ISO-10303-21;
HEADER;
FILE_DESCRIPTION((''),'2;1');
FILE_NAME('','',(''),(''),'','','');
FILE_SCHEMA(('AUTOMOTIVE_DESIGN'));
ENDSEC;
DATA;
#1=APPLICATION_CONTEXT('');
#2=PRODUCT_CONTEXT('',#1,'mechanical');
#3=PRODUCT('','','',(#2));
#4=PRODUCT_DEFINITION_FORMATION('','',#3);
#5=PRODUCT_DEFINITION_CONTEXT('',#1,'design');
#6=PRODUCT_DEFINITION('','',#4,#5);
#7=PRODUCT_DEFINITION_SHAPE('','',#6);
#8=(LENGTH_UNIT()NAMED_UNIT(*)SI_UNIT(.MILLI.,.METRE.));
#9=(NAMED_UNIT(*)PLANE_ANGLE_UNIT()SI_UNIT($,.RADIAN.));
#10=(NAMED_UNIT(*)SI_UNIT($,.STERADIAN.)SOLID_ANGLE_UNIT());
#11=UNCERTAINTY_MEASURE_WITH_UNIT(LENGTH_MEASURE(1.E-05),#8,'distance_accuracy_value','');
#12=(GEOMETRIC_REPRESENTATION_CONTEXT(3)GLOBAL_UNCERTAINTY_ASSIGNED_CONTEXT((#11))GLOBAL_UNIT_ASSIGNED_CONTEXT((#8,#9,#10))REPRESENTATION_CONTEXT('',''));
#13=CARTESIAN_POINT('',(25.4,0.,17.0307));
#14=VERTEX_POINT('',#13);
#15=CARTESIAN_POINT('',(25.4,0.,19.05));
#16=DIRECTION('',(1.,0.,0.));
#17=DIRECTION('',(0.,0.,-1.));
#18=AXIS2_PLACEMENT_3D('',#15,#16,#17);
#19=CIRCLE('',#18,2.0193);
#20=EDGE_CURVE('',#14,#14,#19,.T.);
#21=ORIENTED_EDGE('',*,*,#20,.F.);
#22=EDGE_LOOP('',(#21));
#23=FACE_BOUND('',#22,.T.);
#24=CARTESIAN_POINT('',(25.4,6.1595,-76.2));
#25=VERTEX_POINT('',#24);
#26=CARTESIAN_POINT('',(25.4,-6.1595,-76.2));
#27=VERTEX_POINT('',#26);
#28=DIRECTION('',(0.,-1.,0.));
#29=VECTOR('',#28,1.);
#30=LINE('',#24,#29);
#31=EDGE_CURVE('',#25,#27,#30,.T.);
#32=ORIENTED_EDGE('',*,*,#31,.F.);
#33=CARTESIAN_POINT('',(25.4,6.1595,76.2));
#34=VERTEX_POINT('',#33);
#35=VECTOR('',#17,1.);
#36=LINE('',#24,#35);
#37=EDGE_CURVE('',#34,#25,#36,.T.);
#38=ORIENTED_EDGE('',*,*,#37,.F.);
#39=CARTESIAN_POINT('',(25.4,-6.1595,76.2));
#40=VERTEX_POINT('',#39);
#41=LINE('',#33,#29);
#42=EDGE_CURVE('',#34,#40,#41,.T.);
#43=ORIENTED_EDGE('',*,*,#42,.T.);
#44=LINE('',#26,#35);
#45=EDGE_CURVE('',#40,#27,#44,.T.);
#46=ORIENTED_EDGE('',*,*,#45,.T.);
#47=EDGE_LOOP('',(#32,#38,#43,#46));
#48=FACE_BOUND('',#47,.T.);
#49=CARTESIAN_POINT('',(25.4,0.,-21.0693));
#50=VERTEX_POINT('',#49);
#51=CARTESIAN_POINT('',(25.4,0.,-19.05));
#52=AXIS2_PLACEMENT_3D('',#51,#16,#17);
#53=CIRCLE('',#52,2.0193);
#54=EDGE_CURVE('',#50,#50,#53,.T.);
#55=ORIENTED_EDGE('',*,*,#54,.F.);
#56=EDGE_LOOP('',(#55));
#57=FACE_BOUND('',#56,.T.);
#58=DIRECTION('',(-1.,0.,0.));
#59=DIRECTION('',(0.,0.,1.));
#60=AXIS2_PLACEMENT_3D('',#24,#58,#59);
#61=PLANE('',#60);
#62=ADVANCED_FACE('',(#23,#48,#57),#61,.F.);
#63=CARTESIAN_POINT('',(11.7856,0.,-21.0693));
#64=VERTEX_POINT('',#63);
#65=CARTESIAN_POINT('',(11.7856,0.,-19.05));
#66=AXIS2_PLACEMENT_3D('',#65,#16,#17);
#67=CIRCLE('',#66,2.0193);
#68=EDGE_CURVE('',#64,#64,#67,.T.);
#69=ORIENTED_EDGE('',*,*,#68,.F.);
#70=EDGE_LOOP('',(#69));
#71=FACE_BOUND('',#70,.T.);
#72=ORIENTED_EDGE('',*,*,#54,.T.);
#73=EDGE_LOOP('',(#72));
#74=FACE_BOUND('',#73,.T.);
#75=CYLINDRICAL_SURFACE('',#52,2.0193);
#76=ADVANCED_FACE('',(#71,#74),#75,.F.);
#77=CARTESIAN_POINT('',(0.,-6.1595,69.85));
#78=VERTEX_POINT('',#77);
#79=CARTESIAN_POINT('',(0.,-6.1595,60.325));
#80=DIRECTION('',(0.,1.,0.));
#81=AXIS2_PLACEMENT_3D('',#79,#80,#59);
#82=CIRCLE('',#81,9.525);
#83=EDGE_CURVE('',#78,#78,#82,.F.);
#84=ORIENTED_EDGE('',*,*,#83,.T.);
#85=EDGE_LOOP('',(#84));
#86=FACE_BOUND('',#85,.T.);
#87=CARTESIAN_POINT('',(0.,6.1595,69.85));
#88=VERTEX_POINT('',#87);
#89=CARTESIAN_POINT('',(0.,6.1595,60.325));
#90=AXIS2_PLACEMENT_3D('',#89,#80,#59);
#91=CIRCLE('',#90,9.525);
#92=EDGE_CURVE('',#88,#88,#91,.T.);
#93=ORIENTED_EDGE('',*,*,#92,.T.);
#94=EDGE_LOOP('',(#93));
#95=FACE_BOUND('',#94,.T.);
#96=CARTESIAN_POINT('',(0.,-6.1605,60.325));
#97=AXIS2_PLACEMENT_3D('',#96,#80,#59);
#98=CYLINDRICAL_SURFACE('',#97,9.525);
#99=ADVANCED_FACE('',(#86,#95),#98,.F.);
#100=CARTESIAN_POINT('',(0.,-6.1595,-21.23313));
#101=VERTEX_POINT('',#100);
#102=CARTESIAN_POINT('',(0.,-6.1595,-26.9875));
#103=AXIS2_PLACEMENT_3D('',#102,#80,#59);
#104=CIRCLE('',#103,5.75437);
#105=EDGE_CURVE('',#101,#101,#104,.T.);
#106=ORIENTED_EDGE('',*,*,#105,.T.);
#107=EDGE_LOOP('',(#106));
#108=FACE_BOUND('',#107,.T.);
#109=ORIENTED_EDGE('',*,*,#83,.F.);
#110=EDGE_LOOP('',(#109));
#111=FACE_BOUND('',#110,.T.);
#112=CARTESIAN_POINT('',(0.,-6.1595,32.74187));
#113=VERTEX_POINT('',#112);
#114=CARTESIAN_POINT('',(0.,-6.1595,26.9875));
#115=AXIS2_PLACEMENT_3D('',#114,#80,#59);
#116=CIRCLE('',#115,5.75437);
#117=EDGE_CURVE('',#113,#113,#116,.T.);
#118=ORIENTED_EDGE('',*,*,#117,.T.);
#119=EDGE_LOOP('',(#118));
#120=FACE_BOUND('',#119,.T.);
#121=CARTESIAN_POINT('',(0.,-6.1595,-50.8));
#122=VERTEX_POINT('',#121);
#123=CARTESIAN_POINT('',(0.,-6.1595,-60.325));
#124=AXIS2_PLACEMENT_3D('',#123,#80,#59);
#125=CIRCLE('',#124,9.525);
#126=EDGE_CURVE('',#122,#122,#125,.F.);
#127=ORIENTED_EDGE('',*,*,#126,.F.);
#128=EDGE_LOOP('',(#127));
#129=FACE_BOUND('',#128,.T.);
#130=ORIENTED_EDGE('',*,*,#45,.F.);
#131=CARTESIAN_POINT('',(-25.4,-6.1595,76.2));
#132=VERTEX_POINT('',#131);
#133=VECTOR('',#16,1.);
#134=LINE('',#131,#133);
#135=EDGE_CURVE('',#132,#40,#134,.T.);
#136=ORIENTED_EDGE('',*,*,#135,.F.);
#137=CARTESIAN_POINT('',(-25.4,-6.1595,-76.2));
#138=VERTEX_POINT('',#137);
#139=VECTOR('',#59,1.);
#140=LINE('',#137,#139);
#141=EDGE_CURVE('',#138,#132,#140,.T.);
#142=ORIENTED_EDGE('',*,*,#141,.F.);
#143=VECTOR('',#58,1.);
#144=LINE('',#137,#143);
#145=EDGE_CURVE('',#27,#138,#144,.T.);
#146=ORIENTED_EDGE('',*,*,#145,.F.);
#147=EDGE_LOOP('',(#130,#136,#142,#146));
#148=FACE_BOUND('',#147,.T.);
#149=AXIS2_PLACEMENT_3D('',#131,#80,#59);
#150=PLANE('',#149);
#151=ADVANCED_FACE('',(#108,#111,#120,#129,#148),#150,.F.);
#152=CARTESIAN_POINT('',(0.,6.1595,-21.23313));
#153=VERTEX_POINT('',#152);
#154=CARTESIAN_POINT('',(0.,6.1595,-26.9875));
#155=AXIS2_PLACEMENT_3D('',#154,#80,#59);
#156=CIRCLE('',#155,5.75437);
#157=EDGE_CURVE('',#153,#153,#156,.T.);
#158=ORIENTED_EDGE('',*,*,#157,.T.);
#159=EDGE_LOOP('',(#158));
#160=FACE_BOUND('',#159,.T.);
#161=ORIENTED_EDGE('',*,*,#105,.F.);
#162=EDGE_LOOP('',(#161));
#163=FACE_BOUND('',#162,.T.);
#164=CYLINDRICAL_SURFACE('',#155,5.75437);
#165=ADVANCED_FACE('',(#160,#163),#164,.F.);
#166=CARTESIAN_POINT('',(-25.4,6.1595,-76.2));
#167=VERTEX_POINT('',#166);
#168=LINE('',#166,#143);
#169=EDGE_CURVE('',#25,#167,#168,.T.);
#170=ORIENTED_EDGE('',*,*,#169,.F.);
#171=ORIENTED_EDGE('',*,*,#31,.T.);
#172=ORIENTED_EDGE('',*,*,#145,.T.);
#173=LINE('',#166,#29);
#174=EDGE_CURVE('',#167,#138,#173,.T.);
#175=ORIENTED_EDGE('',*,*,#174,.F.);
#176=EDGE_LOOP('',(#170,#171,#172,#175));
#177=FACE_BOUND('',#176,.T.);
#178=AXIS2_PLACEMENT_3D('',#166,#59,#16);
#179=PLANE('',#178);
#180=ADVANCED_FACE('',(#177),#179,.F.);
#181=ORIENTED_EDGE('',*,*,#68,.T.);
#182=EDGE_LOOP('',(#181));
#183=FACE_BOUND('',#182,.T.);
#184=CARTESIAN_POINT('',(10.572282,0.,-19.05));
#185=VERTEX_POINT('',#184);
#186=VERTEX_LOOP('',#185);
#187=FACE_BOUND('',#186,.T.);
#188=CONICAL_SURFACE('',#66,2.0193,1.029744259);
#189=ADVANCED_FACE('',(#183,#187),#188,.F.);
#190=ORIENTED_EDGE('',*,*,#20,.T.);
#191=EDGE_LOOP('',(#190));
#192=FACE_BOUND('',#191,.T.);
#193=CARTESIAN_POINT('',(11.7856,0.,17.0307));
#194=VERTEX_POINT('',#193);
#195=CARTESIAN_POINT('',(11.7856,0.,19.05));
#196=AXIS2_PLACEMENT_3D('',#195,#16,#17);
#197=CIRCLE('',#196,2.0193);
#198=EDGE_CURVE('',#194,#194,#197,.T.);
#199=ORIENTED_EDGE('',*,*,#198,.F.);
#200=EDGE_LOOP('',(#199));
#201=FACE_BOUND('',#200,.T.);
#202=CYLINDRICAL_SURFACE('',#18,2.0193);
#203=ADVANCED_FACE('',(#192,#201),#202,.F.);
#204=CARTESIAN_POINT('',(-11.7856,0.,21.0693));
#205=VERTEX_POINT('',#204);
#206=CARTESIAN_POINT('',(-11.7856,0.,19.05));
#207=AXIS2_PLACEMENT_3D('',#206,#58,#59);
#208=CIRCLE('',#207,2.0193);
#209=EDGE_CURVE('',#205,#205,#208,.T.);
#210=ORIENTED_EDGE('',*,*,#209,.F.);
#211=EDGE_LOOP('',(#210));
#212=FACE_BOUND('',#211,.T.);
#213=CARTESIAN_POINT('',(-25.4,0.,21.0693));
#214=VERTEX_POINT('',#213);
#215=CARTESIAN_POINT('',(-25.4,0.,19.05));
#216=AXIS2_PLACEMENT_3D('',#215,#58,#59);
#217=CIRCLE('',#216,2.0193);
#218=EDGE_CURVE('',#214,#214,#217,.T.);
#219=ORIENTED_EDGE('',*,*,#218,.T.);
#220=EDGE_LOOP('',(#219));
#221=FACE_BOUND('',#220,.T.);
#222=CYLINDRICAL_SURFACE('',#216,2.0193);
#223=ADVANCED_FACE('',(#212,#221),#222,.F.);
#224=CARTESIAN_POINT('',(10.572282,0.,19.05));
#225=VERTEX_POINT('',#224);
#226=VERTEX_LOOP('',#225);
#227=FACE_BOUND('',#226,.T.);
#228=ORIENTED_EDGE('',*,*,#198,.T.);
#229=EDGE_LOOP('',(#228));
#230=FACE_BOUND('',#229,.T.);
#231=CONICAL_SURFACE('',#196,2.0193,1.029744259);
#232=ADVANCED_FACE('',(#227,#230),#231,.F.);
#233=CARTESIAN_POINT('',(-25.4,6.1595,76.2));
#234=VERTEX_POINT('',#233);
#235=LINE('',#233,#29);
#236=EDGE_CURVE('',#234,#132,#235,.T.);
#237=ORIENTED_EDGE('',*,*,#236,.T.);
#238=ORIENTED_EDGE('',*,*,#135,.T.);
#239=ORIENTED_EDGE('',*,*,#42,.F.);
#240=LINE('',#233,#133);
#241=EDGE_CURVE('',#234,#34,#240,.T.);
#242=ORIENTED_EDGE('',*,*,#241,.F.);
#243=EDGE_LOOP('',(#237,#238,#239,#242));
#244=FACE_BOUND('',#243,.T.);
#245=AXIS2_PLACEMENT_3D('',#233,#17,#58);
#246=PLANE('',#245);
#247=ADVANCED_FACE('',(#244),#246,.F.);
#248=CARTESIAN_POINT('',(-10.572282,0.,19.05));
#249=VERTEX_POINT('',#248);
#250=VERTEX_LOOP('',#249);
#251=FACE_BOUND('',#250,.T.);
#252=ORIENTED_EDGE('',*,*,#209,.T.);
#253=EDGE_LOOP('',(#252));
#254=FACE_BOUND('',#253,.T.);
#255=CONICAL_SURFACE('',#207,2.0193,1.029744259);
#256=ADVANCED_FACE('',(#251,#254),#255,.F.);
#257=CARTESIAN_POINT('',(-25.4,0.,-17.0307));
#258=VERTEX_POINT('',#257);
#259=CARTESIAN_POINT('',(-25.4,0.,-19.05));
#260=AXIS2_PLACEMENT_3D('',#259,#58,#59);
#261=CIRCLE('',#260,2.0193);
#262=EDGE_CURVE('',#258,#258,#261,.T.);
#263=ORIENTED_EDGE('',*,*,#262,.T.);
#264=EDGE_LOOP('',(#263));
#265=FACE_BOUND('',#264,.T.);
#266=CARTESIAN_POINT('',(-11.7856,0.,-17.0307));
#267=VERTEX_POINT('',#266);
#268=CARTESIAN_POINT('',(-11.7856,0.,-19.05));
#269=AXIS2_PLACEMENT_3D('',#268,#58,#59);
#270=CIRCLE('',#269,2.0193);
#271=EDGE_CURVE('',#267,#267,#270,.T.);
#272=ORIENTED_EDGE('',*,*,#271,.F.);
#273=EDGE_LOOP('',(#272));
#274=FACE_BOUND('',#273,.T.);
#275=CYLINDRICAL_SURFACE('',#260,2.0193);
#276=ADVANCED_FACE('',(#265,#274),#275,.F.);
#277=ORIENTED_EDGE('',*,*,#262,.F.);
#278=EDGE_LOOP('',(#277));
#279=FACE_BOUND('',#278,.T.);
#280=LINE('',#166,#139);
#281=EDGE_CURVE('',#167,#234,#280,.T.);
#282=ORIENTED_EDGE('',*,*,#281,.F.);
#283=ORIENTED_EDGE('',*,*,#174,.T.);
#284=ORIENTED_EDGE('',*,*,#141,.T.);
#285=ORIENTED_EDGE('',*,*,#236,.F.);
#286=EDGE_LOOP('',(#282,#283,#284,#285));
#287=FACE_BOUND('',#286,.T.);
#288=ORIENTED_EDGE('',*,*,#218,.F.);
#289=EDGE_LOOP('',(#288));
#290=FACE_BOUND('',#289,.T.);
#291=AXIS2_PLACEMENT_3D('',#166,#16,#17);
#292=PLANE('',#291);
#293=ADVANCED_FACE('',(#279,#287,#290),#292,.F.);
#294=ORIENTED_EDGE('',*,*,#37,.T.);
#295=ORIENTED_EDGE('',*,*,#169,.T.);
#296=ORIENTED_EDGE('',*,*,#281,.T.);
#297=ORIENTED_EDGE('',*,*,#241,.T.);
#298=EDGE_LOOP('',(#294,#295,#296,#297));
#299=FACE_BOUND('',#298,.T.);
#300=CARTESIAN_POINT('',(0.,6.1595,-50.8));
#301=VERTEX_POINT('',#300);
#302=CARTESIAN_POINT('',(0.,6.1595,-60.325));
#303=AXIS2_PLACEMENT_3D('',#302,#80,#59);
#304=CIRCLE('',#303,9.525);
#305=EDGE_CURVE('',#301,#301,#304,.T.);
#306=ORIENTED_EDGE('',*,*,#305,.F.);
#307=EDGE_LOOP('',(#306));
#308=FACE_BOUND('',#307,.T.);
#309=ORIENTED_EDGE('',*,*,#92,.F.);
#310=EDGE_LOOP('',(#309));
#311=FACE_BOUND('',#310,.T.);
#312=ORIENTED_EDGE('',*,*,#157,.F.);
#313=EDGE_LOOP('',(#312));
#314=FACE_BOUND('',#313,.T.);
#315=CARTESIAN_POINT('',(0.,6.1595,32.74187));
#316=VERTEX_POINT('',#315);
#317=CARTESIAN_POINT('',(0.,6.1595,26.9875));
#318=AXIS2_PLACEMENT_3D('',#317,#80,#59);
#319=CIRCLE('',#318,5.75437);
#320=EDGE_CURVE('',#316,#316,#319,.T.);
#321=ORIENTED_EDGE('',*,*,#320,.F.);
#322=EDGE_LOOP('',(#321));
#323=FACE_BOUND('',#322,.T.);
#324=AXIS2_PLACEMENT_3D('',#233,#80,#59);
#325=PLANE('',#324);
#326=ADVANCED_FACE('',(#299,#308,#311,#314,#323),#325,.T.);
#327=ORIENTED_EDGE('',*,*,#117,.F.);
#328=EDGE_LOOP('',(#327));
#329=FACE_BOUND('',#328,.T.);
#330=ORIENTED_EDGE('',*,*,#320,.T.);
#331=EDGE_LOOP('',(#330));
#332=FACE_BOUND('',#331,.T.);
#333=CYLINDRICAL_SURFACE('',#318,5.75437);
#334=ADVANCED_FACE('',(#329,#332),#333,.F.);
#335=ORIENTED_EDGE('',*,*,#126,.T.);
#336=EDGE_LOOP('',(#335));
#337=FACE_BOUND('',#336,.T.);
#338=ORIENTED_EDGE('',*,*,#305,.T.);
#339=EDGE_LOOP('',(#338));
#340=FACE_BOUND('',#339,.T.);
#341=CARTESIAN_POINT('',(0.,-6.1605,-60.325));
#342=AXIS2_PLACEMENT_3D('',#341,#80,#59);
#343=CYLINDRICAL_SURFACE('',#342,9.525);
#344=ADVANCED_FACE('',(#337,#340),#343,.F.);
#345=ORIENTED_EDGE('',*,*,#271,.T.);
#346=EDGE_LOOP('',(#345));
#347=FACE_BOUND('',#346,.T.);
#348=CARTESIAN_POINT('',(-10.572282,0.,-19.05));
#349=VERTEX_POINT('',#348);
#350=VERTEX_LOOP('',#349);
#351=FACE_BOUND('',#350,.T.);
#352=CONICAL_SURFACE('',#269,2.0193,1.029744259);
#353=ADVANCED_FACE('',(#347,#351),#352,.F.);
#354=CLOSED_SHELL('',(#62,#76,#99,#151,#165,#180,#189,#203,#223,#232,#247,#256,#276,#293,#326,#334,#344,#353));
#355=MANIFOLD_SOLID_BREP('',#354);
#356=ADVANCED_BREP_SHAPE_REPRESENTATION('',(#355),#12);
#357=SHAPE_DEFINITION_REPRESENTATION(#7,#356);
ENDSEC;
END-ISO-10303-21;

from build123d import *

# Parameters (mm, degrees)
SKETCH1_W                       = 50.8
SKETCH1_H                       = 152.4
EXTRUDE1_DEPTH                  = 6.1595
CUT_EXTRUDE1_REACH              = 14.319
SKETCH2_R                       = 9.525
F_1_2_20_TAPPED_HOLE1_D         = 11.50874
F_1_2_20_TAPPED_HOLE1_DEPTH     = 12.319
F_10_32_TAPPED_HOLE1_AT_2_COUNT = 2
F_10_32_TAPPED_HOLE1_AT_2_PITCH = 38.1


with BuildPart() as part:
    # Sketch1 → Extrude1 (new body, symmetric)
    with BuildSketch(Plane(origin=(0, 0, 0), x_dir=(1, 0, 0), z_dir=(0, 1, 0))):
        Rectangle(SKETCH1_W, SKETCH1_H)
    extrude(amount=EXTRUDE1_DEPTH, both=True)

    # Sketch2 → Cut-Extrude1 (cut, up to next)
    with BuildSketch(Plane(origin=(0, 6.1595, 0), x_dir=(-1, 0, 0), z_dir=(0, 1, 0)), mode=Mode.PRIVATE) as cut_extrude1_sk1:
        with Locations((0, -60.325)):
            Circle(SKETCH2_R)
    cut_extrude1_tool1 = extrude(cut_extrude1_sk1.sketch, amount=-CUT_EXTRUDE1_REACH, mode=Mode.PRIVATE) & part.part
    add(cut_extrude1_tool1.solids().sort_by_distance((0, 6.1595, -60.325))[0], mode=Mode.SUBTRACT)
    # Sketch2 → Cut-Extrude1 (cut, up to next)
    with BuildSketch(Plane(origin=(0, 6.1595, 0), x_dir=(-1, 0, 0), z_dir=(0, 1, 0)), mode=Mode.PRIVATE) as cut_extrude1_sk2:
        with Locations((0, 60.325)):
            Circle(SKETCH2_R)
    cut_extrude1_tool2 = extrude(cut_extrude1_sk2.sketch, amount=-CUT_EXTRUDE1_REACH, mode=Mode.PRIVATE) & part.part
    add(cut_extrude1_tool2.solids().sort_by_distance((0, 6.1595, 60.325))[0], mode=Mode.SUBTRACT)

    # 1/2-20 Tapped Hole1
    with Locations(Plane(origin=(0, 6.1595, 0), x_dir=(-1, 0, 0), z_dir=(0, 1, 0))):
        with Locations((0, -26.9875), (0, 26.9875)):
            Hole(F_1_2_20_TAPPED_HOLE1_D / 2, depth=F_1_2_20_TAPPED_HOLE1_DEPTH)

    # Sketch10 → #10-32 Tapped Hole1 (revolve, cut)
    with BuildSketch(Plane(origin=(25.4, 0, 19.05), x_dir=(0, 0, -1), z_dir=(0, 1, 0))):
        Polygon((0, 0), (0, 14.827717848), (2.0193, 13.6144), (2.0193, 0), align=None)
    f_10_32_tapped_hole1 = revolve(axis=Axis((31.75, 0, 19.05), (-1, 0, 0)), mode=Mode.SUBTRACT)

    # #10-32 Tapped Hole1 at 2: #10-32 Tapped Hole1 ×2
    with Locations(*[(0, 0, -i * F_10_32_TAPPED_HOLE1_AT_2_PITCH) for i in range(1, F_10_32_TAPPED_HOLE1_AT_2_COUNT)]):
        add(f_10_32_tapped_hole1, mode=Mode.SUBTRACT)

    # Mirror1: #10-32 Tapped Hole1 across plane
    add(f_10_32_tapped_hole1.mirror(Plane(origin=(0, 0, 0), x_dir=(0, 0, 1), z_dir=(1, 0, 0))), mode=Mode.SUBTRACT)

    # Mirror1 copy 1 sketch → Mirror1 copy 1 (revolve, cut)
    with BuildSketch(Plane(origin=(-25.4, 0, -19.05), x_dir=(0, 0, -1), z_dir=(0, 1, 0))):
        Polygon((0, 0), (0, -14.827717848), (2.0193, -13.6144), (2.0193, 0), align=None)
    revolve(axis=Axis((-31.75, 0, -19.05), (-1, 0, 0)), mode=Mode.SUBTRACT)


solid = part.part
